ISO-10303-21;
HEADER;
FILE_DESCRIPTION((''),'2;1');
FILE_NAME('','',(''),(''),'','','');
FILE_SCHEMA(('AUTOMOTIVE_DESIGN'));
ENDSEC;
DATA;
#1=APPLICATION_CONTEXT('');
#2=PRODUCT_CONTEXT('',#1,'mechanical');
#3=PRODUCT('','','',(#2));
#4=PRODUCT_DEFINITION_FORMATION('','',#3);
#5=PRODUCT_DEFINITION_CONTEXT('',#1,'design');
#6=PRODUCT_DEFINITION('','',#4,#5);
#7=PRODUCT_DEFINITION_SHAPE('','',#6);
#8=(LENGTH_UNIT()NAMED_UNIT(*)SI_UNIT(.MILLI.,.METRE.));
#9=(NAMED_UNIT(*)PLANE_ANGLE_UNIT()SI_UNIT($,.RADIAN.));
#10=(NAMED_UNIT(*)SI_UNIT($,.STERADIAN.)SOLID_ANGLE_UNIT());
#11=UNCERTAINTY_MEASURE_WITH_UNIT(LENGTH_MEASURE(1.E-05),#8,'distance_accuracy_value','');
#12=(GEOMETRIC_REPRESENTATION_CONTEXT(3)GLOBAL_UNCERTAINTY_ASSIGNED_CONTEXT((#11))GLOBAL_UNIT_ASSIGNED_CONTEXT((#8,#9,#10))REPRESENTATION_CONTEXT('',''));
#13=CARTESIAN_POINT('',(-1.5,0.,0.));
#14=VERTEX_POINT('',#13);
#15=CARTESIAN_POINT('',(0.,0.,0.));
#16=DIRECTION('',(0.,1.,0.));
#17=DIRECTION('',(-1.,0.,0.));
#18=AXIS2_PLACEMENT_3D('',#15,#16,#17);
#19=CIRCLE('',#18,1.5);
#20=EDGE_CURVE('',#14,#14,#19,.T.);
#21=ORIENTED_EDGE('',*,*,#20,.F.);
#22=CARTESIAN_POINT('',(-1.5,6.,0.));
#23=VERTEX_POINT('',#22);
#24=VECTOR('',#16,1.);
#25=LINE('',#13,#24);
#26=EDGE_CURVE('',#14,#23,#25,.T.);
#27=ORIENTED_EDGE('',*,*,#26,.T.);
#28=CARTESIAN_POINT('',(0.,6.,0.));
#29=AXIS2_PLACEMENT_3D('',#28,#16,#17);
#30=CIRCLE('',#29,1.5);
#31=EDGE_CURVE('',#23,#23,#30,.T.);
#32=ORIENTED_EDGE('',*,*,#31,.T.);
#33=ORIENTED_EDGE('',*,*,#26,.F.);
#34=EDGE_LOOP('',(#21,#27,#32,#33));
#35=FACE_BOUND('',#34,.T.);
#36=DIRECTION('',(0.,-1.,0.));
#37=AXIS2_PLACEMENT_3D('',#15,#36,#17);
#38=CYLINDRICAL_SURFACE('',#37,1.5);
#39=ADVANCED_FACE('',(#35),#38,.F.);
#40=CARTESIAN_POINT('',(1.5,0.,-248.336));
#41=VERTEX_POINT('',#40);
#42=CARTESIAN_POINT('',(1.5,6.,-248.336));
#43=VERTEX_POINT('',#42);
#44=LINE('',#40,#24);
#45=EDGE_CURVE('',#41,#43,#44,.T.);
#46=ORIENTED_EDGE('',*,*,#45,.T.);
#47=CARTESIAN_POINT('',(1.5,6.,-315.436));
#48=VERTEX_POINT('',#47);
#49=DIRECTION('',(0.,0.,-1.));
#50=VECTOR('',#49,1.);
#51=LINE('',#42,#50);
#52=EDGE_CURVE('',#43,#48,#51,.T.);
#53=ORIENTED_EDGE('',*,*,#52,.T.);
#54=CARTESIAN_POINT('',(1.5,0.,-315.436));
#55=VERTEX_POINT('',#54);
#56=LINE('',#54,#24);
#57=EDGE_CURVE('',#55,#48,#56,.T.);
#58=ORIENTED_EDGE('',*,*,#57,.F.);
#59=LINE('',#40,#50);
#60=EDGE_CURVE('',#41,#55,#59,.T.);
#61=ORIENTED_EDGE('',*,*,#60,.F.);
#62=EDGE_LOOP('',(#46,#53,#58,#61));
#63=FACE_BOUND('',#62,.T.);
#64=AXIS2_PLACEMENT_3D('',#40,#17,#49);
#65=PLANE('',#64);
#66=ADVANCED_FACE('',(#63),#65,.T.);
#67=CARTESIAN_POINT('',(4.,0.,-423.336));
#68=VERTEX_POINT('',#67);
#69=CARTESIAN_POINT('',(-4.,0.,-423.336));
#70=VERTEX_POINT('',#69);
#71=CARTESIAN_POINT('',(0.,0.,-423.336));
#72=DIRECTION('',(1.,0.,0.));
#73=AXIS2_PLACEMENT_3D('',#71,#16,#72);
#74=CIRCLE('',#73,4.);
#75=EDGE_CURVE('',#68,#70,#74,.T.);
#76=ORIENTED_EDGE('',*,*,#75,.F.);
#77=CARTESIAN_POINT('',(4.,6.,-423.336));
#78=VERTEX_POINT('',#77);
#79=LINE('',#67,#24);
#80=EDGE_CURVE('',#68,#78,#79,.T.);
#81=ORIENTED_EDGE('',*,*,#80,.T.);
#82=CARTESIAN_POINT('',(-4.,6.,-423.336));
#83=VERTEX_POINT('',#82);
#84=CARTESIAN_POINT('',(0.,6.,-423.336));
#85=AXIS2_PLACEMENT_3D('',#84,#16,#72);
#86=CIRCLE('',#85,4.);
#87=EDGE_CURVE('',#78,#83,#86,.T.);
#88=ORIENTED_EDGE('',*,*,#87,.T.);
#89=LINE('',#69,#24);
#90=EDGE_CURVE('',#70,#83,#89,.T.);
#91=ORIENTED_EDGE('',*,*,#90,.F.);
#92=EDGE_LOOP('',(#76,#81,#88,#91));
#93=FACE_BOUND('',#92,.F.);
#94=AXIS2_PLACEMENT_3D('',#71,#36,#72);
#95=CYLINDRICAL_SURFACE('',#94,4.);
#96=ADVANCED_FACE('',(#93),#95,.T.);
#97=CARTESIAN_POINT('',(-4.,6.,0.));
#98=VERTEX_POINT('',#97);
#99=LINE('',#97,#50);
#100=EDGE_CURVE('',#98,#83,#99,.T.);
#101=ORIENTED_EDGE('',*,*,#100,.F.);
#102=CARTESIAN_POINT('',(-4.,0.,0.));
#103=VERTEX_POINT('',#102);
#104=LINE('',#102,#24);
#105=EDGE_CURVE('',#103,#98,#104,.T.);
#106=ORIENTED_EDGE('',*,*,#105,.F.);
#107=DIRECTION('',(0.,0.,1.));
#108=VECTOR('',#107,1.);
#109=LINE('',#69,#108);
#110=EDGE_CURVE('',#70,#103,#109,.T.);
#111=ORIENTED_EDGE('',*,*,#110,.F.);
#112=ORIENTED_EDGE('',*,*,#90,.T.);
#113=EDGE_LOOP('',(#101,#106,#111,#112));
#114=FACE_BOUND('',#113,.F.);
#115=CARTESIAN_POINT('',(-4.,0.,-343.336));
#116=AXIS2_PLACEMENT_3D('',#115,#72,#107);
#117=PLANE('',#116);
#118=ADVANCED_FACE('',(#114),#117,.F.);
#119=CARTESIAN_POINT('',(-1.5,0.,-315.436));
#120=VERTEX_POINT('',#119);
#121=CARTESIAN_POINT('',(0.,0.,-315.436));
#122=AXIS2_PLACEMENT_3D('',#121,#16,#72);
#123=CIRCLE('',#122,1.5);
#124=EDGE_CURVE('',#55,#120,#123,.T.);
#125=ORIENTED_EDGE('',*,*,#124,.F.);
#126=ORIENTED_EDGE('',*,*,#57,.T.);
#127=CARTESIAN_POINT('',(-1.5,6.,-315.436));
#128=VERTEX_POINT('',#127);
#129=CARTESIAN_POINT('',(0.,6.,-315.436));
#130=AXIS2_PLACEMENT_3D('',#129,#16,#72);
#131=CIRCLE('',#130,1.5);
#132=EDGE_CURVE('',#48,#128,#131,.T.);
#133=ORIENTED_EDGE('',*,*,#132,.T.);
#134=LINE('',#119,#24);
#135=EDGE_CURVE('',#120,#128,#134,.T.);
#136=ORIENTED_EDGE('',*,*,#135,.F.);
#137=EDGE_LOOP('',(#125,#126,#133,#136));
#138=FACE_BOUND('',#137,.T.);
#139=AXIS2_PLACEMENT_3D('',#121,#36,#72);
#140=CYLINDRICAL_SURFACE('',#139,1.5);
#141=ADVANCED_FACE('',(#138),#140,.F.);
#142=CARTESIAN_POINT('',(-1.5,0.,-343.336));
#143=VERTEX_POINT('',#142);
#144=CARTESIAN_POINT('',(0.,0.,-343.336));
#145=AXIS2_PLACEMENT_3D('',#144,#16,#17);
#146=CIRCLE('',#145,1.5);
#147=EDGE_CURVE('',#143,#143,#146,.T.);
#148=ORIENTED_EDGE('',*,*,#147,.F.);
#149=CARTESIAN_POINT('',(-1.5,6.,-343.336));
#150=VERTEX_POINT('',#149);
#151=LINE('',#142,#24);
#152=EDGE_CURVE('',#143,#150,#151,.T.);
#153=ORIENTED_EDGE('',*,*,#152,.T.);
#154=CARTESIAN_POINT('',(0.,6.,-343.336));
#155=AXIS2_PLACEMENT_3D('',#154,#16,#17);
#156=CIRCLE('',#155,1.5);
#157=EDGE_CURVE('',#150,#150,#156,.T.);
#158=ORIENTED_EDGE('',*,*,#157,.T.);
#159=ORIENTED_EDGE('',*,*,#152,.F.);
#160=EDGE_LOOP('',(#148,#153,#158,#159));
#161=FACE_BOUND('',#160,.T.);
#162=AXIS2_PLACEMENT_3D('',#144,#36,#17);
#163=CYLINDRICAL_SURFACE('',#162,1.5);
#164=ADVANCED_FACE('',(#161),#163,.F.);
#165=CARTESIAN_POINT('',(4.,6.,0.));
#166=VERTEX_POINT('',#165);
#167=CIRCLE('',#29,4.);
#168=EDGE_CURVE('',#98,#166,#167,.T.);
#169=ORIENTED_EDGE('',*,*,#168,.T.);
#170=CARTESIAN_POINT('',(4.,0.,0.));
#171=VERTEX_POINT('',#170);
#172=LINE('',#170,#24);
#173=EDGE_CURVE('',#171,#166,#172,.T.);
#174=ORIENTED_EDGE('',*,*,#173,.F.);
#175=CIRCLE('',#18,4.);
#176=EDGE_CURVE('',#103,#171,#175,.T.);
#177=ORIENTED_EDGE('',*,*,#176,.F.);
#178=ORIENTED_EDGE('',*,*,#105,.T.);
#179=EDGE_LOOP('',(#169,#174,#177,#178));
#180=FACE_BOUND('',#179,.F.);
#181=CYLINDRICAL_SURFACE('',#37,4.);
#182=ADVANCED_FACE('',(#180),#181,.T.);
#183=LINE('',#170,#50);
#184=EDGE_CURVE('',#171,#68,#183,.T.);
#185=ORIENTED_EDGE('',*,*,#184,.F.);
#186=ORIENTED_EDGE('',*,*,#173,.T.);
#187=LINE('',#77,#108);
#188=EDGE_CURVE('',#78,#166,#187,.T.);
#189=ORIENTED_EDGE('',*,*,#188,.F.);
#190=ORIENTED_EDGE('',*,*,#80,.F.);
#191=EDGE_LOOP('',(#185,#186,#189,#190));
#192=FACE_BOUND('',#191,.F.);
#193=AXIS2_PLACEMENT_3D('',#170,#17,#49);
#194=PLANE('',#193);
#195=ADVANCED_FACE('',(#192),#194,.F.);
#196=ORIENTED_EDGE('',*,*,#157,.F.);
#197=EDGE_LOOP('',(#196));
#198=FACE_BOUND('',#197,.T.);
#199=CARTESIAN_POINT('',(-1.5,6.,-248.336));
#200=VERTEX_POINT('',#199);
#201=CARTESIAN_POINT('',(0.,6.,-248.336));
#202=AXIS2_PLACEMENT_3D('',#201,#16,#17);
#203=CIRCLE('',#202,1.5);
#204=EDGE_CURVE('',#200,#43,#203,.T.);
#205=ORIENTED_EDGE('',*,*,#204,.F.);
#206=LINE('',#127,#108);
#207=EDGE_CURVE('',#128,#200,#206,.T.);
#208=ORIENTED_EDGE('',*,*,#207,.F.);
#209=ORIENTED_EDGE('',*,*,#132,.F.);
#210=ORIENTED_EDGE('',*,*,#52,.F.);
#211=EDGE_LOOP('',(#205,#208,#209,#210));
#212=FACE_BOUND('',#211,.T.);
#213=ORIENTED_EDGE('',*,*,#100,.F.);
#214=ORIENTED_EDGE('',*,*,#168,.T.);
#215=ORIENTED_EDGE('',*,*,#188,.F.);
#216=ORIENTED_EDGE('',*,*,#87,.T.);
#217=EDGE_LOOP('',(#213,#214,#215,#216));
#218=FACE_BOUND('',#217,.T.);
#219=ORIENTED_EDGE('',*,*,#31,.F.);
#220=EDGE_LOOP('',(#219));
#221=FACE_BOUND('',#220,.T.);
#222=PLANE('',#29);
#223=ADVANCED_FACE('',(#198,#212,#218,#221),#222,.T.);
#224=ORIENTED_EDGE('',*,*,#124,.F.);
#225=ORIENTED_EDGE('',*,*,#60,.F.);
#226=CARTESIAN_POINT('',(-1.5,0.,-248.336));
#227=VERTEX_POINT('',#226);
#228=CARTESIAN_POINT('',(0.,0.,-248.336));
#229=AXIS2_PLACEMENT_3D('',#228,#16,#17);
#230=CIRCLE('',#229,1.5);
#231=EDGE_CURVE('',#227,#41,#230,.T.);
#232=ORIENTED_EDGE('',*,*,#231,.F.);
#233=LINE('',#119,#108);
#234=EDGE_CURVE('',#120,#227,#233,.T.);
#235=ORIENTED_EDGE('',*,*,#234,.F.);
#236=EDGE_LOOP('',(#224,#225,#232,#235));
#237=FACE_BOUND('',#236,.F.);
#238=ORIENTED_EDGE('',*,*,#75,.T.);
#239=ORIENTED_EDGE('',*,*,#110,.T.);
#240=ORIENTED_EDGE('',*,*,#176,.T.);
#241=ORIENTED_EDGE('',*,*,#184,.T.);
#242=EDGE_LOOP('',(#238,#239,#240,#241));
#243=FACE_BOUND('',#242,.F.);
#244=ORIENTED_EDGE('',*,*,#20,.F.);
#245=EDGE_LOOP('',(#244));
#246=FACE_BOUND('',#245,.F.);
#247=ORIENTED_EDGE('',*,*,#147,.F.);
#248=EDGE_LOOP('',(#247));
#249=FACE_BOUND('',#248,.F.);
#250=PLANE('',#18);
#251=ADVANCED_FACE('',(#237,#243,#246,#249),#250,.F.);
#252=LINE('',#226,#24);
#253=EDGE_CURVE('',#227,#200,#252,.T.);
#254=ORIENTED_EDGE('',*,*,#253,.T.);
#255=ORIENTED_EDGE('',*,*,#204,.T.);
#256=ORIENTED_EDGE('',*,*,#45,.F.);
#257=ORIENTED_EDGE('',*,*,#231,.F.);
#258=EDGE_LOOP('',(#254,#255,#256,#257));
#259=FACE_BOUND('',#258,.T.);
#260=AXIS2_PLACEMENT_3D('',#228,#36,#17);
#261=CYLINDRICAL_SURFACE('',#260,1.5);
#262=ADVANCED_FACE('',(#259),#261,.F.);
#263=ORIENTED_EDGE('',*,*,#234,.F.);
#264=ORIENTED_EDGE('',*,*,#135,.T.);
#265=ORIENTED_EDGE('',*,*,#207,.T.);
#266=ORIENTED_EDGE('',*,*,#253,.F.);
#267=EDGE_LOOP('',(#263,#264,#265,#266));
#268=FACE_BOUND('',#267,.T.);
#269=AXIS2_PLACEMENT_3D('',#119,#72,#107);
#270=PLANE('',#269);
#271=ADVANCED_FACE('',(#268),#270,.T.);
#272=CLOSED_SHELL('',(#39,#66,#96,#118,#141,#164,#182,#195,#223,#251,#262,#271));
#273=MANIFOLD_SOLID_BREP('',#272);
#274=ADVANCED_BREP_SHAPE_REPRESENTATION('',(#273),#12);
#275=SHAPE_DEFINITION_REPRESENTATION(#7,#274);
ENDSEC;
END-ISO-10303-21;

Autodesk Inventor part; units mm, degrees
ref_plane "XZ Plane" through (0, 0, 0) normal (0, 1, 0) x (-1, 0, 0)
ref_plane "XY Plane" through (0, 0, 0) normal (0, 0, 1) x (1, 0, 0)
sketch "Sketch1" plane through (0, 0, 0) normal (0, 1, 0) x (-1, 0, 0)
  line L0 (0, 0) -> (0, -343.336) construction
  line L1 (-4, 0) -> (-4, -343.336)
  line L2 (4, -343.336) -> (4, 0)
  arc A0 (4, 0) -> (-4, 0) centre (0, 0) ccw
  arc A1 (-4, -343.336) -> (4, -343.336) centre (0, -343.336) ccw
  circle A2 centre (0, 0) radius 1.5
  circle A3 centre (0, -343.336) radius 1.5
  line L3 (0, -315.436) -> (0, -248.336) construction
  line L4 (1.5, -315.436) -> (1.5, -248.336)
  line L5 (-1.5, -248.336) -> (-1.5, -315.436)
  arc A4 (-1.5, -315.436) -> (1.5, -315.436) centre (0, -315.436) ccw
  arc A5 (1.5, -248.336) -> (-1.5, -248.336) centre (0, -248.336) ccw
  line L6 (0, -343.336) -> (0, -423.336) construction
  line L7 (-4, -343.336) -> (-4, -423.336)
  line L8 (4, -423.336) -> (4, -343.336)
  arc A6 (4, -343.336) -> (-4, -343.336) centre (0, -343.336) ccw
  arc A7 (-4, -423.336) -> (4, -423.336) centre (0, -423.336) ccw
  point P0 (0, -171.668)
  point P1 (0, -281.886)
  point P2 (0, -383.336)
  dimension "d0" = 8
  dimension "d1" = 343.336
  dimension "d2" = 3
  dimension "d3" = 3
  dimension "d14" = 3
  dimension "d15" = 27.9
  dimension "d16" = 95
  dimension "d17" = 8
  dimension "d18" = 80
extrude "Extrusion1" add sketch "Sketch1" along normal blind 6
sketch "Sketch3" plane through (0, 6, 0) normal (0, 1, 0) x (1, 0, 0)
  line L0 (-4, 423.336) -> (-4, 0) projected
  line L1 (-4, 214.6062) -> (0, 206.0281)
  line L2 (0, 206.0281) -> (4, 214.6062)
  line L3 (4, 0) -> (4, 423.336) projected
  line L4 (-4, 423.336) -> (-4, 0) projected
  arc A0 (-4, 0) -> (4, 0) centre (0, 0) ccw projected
  line L5 (4, 0) -> (4, 423.336) projected
  arc A1 (4, 423.336) -> (-4, 423.336) centre (0, 423.336) ccw projected
  arc A2 (1.5, 315.436) -> (-1.5, 315.436) centre (0, 315.436) ccw projected
  line L6 (1.5, 315.436) -> (1.5, 248.336) projected
  arc A3 (-1.5, 248.336) -> (1.5, 248.336) centre (0, 248.336) ccw projected
  line L7 (-1.5, 248.336) -> (-1.5, 315.436) projected
  circle A4 centre (0, 343.336) radius 1.5 projected
  circle A5 centre (0, 0) radius 1.5 projected
  dimension "d21" = 25
  dimension "d22" = 25
extrude "Extrusion2" [suppressed]
